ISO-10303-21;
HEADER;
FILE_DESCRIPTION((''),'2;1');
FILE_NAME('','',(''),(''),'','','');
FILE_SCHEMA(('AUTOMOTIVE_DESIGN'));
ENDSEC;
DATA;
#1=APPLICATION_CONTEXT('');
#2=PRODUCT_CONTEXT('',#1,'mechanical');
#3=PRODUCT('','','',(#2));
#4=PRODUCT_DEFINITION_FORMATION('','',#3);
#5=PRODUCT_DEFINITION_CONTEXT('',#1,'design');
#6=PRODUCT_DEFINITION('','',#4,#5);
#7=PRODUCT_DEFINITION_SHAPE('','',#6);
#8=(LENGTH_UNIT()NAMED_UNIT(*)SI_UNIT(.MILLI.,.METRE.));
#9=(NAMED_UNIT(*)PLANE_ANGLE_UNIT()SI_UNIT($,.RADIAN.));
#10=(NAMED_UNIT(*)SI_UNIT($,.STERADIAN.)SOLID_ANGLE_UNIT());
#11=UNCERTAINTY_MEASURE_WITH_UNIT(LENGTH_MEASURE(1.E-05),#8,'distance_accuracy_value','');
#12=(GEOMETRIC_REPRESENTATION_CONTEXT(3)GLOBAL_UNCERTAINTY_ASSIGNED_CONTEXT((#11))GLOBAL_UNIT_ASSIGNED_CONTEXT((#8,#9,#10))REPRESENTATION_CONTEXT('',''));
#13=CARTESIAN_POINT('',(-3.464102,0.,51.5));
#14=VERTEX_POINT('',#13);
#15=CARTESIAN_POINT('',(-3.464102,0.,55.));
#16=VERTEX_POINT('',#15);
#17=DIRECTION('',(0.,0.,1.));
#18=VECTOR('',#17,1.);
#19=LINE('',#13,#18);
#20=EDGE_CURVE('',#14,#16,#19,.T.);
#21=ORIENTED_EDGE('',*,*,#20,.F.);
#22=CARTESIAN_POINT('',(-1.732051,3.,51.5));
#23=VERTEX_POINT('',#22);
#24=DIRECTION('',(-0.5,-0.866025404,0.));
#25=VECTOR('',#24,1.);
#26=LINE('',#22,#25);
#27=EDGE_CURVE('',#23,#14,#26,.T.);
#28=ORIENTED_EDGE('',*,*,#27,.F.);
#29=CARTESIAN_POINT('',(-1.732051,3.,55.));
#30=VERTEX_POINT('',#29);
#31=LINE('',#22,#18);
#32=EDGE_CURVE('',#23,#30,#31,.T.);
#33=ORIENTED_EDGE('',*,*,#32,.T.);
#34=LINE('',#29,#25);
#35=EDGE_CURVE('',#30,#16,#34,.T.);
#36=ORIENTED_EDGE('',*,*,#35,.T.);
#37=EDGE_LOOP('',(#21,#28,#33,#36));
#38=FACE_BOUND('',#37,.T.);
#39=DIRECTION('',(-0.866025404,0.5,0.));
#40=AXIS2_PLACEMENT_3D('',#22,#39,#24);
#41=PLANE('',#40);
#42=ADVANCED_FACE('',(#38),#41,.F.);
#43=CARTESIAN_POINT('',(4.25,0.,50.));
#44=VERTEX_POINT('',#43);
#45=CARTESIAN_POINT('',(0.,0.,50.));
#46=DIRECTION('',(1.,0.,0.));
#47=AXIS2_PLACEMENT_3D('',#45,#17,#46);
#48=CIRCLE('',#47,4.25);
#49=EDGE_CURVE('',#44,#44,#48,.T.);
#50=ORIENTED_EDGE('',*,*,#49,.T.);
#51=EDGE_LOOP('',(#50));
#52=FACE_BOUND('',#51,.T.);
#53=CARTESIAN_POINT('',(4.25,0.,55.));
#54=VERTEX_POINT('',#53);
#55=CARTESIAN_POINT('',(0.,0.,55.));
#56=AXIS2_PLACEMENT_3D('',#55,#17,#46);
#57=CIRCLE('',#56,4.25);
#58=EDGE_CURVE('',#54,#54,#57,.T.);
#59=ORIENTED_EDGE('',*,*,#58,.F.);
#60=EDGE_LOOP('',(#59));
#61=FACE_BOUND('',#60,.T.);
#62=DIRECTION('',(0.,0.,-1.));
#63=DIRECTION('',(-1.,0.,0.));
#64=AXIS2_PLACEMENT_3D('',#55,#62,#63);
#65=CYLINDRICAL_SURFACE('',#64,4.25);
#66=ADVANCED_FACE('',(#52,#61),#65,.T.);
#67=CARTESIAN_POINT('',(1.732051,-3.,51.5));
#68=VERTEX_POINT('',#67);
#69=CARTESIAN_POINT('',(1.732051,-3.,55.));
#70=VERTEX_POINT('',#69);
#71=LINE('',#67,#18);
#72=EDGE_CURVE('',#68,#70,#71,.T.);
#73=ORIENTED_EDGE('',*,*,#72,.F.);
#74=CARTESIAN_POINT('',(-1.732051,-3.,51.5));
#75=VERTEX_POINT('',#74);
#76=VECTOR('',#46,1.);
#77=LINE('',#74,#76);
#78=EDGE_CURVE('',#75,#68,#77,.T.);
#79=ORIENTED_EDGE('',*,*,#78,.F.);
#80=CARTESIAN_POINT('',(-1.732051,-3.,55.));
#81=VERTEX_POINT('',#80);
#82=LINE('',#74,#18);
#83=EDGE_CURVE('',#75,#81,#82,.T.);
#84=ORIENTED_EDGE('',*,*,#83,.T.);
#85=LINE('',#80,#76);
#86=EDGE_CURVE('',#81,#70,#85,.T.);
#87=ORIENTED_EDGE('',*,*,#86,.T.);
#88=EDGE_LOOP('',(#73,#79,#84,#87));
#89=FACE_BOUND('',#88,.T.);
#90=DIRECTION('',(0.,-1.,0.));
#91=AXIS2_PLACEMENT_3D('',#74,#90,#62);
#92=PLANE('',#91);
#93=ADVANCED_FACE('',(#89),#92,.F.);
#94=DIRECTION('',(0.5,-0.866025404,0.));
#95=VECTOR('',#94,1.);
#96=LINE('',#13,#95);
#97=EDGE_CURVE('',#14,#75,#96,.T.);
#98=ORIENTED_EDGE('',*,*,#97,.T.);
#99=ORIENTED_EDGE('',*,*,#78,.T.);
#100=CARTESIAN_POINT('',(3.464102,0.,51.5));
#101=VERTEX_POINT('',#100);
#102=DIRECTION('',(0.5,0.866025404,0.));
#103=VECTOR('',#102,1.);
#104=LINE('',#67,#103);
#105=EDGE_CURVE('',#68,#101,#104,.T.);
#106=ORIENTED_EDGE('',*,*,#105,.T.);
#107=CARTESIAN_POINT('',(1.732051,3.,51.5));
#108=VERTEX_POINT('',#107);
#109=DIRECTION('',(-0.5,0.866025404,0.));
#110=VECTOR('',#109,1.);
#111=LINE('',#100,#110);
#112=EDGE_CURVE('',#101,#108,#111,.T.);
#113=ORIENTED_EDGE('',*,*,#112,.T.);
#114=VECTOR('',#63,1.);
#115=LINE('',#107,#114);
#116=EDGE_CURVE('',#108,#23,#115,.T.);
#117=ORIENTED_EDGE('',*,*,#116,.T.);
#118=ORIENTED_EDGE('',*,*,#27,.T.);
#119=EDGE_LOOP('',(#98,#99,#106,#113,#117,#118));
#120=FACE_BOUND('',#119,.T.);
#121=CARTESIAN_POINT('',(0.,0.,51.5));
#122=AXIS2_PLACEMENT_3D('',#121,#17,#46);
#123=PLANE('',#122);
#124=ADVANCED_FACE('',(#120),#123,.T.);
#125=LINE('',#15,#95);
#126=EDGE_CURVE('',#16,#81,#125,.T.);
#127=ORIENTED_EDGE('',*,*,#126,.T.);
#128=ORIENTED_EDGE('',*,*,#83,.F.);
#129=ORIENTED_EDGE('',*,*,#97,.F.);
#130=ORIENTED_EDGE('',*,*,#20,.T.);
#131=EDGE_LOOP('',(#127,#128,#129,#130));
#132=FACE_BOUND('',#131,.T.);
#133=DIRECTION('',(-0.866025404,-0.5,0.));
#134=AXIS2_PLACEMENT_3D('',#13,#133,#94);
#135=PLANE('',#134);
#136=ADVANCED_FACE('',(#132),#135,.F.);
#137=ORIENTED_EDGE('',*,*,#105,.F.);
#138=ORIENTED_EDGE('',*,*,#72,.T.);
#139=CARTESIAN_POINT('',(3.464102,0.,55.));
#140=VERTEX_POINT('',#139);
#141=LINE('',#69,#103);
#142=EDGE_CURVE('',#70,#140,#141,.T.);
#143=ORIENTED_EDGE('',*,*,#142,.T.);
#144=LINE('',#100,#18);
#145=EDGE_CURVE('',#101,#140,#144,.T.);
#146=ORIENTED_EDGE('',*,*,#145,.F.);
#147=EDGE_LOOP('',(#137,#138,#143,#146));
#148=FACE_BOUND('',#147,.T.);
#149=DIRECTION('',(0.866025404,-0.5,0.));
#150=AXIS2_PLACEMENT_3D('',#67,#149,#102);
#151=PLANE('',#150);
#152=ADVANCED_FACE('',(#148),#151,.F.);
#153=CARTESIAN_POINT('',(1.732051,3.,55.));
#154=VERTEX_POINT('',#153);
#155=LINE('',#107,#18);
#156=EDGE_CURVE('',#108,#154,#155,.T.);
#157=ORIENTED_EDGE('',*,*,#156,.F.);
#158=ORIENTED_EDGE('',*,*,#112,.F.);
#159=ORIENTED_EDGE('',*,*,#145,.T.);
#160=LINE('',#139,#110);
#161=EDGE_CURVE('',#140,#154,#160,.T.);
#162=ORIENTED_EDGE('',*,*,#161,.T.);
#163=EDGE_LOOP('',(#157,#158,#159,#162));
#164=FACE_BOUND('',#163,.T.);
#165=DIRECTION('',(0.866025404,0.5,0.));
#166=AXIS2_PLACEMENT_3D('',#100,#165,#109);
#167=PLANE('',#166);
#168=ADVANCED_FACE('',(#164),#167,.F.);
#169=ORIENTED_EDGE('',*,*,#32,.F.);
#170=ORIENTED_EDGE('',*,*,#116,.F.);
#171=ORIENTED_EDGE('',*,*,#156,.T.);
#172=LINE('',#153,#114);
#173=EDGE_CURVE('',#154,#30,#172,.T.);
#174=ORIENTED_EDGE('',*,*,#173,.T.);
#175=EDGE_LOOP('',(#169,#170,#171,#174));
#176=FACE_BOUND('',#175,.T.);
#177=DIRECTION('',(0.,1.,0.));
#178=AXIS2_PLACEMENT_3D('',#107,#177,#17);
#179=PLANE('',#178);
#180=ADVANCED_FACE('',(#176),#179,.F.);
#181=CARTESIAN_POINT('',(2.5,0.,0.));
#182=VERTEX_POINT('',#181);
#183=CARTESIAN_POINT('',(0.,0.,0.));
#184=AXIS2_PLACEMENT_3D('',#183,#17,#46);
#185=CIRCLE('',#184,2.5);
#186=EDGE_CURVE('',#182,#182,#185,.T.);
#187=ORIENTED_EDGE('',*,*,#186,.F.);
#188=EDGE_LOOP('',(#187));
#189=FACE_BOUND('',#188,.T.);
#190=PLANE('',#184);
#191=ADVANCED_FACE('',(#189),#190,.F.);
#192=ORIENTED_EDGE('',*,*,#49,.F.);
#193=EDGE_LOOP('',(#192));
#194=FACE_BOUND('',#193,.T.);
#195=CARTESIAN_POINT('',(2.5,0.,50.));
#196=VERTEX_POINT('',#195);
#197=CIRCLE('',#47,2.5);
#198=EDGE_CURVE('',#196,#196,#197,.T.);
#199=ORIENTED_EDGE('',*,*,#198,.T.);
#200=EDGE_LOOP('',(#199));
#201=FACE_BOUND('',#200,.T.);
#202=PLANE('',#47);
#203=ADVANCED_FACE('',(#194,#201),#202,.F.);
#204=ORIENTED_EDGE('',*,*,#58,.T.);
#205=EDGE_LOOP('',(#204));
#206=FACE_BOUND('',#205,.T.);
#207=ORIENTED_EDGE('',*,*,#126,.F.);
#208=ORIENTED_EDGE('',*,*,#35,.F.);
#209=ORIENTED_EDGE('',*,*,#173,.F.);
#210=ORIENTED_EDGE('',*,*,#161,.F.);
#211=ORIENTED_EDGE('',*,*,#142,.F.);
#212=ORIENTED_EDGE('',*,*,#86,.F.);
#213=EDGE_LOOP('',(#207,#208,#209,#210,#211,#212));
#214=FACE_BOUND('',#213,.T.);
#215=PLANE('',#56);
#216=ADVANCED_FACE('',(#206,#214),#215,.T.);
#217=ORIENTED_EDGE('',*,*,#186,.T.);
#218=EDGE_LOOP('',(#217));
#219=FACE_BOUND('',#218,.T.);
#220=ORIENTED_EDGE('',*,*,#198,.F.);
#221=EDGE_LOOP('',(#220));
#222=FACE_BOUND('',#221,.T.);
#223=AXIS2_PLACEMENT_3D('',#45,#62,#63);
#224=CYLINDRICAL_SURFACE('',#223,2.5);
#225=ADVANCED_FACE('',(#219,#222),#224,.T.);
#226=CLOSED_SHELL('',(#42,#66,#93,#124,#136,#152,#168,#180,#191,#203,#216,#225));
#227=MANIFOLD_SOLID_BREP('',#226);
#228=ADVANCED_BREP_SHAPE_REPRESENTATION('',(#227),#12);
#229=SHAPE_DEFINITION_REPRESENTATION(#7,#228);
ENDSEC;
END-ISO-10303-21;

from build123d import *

# Parameters (mm, degrees)
ESQUISSE1_R             = 2.5
BOSS_EXTRU_1_DEPTH      = 50
ESQUISSE2_R             = 4.25
BOSS_EXTRU_2_DEPTH      = 5
ENL_V_MAT_EXTRU_1_DEPTH = 3.5


with BuildPart() as part:
    # Esquisse1 → Boss.-Extru.1 (new body)
    with BuildSketch(Plane.XY):
        Circle(ESQUISSE1_R)
    extrude(amount=BOSS_EXTRU_1_DEPTH)

    # Esquisse2 → Boss.-Extru.2 (add)
    with BuildSketch(Plane.XY.offset(50)):
        Circle(ESQUISSE2_R)
    extrude(amount=BOSS_EXTRU_2_DEPTH)

    # Esquisse3 → Enlèv. mat.-Extru.1 (cut)
    with BuildSketch(Plane.XY.offset(55)):
        Polygon((3.464101615, 0), (1.732050808, 3), (-1.732050808, 3), (-3.464101615, 0), (-1.732050808, -3), (1.732050808, -3), align=None)
    extrude(amount=-ENL_V_MAT_EXTRU_1_DEPTH, mode=Mode.SUBTRACT)


solid = part.part
